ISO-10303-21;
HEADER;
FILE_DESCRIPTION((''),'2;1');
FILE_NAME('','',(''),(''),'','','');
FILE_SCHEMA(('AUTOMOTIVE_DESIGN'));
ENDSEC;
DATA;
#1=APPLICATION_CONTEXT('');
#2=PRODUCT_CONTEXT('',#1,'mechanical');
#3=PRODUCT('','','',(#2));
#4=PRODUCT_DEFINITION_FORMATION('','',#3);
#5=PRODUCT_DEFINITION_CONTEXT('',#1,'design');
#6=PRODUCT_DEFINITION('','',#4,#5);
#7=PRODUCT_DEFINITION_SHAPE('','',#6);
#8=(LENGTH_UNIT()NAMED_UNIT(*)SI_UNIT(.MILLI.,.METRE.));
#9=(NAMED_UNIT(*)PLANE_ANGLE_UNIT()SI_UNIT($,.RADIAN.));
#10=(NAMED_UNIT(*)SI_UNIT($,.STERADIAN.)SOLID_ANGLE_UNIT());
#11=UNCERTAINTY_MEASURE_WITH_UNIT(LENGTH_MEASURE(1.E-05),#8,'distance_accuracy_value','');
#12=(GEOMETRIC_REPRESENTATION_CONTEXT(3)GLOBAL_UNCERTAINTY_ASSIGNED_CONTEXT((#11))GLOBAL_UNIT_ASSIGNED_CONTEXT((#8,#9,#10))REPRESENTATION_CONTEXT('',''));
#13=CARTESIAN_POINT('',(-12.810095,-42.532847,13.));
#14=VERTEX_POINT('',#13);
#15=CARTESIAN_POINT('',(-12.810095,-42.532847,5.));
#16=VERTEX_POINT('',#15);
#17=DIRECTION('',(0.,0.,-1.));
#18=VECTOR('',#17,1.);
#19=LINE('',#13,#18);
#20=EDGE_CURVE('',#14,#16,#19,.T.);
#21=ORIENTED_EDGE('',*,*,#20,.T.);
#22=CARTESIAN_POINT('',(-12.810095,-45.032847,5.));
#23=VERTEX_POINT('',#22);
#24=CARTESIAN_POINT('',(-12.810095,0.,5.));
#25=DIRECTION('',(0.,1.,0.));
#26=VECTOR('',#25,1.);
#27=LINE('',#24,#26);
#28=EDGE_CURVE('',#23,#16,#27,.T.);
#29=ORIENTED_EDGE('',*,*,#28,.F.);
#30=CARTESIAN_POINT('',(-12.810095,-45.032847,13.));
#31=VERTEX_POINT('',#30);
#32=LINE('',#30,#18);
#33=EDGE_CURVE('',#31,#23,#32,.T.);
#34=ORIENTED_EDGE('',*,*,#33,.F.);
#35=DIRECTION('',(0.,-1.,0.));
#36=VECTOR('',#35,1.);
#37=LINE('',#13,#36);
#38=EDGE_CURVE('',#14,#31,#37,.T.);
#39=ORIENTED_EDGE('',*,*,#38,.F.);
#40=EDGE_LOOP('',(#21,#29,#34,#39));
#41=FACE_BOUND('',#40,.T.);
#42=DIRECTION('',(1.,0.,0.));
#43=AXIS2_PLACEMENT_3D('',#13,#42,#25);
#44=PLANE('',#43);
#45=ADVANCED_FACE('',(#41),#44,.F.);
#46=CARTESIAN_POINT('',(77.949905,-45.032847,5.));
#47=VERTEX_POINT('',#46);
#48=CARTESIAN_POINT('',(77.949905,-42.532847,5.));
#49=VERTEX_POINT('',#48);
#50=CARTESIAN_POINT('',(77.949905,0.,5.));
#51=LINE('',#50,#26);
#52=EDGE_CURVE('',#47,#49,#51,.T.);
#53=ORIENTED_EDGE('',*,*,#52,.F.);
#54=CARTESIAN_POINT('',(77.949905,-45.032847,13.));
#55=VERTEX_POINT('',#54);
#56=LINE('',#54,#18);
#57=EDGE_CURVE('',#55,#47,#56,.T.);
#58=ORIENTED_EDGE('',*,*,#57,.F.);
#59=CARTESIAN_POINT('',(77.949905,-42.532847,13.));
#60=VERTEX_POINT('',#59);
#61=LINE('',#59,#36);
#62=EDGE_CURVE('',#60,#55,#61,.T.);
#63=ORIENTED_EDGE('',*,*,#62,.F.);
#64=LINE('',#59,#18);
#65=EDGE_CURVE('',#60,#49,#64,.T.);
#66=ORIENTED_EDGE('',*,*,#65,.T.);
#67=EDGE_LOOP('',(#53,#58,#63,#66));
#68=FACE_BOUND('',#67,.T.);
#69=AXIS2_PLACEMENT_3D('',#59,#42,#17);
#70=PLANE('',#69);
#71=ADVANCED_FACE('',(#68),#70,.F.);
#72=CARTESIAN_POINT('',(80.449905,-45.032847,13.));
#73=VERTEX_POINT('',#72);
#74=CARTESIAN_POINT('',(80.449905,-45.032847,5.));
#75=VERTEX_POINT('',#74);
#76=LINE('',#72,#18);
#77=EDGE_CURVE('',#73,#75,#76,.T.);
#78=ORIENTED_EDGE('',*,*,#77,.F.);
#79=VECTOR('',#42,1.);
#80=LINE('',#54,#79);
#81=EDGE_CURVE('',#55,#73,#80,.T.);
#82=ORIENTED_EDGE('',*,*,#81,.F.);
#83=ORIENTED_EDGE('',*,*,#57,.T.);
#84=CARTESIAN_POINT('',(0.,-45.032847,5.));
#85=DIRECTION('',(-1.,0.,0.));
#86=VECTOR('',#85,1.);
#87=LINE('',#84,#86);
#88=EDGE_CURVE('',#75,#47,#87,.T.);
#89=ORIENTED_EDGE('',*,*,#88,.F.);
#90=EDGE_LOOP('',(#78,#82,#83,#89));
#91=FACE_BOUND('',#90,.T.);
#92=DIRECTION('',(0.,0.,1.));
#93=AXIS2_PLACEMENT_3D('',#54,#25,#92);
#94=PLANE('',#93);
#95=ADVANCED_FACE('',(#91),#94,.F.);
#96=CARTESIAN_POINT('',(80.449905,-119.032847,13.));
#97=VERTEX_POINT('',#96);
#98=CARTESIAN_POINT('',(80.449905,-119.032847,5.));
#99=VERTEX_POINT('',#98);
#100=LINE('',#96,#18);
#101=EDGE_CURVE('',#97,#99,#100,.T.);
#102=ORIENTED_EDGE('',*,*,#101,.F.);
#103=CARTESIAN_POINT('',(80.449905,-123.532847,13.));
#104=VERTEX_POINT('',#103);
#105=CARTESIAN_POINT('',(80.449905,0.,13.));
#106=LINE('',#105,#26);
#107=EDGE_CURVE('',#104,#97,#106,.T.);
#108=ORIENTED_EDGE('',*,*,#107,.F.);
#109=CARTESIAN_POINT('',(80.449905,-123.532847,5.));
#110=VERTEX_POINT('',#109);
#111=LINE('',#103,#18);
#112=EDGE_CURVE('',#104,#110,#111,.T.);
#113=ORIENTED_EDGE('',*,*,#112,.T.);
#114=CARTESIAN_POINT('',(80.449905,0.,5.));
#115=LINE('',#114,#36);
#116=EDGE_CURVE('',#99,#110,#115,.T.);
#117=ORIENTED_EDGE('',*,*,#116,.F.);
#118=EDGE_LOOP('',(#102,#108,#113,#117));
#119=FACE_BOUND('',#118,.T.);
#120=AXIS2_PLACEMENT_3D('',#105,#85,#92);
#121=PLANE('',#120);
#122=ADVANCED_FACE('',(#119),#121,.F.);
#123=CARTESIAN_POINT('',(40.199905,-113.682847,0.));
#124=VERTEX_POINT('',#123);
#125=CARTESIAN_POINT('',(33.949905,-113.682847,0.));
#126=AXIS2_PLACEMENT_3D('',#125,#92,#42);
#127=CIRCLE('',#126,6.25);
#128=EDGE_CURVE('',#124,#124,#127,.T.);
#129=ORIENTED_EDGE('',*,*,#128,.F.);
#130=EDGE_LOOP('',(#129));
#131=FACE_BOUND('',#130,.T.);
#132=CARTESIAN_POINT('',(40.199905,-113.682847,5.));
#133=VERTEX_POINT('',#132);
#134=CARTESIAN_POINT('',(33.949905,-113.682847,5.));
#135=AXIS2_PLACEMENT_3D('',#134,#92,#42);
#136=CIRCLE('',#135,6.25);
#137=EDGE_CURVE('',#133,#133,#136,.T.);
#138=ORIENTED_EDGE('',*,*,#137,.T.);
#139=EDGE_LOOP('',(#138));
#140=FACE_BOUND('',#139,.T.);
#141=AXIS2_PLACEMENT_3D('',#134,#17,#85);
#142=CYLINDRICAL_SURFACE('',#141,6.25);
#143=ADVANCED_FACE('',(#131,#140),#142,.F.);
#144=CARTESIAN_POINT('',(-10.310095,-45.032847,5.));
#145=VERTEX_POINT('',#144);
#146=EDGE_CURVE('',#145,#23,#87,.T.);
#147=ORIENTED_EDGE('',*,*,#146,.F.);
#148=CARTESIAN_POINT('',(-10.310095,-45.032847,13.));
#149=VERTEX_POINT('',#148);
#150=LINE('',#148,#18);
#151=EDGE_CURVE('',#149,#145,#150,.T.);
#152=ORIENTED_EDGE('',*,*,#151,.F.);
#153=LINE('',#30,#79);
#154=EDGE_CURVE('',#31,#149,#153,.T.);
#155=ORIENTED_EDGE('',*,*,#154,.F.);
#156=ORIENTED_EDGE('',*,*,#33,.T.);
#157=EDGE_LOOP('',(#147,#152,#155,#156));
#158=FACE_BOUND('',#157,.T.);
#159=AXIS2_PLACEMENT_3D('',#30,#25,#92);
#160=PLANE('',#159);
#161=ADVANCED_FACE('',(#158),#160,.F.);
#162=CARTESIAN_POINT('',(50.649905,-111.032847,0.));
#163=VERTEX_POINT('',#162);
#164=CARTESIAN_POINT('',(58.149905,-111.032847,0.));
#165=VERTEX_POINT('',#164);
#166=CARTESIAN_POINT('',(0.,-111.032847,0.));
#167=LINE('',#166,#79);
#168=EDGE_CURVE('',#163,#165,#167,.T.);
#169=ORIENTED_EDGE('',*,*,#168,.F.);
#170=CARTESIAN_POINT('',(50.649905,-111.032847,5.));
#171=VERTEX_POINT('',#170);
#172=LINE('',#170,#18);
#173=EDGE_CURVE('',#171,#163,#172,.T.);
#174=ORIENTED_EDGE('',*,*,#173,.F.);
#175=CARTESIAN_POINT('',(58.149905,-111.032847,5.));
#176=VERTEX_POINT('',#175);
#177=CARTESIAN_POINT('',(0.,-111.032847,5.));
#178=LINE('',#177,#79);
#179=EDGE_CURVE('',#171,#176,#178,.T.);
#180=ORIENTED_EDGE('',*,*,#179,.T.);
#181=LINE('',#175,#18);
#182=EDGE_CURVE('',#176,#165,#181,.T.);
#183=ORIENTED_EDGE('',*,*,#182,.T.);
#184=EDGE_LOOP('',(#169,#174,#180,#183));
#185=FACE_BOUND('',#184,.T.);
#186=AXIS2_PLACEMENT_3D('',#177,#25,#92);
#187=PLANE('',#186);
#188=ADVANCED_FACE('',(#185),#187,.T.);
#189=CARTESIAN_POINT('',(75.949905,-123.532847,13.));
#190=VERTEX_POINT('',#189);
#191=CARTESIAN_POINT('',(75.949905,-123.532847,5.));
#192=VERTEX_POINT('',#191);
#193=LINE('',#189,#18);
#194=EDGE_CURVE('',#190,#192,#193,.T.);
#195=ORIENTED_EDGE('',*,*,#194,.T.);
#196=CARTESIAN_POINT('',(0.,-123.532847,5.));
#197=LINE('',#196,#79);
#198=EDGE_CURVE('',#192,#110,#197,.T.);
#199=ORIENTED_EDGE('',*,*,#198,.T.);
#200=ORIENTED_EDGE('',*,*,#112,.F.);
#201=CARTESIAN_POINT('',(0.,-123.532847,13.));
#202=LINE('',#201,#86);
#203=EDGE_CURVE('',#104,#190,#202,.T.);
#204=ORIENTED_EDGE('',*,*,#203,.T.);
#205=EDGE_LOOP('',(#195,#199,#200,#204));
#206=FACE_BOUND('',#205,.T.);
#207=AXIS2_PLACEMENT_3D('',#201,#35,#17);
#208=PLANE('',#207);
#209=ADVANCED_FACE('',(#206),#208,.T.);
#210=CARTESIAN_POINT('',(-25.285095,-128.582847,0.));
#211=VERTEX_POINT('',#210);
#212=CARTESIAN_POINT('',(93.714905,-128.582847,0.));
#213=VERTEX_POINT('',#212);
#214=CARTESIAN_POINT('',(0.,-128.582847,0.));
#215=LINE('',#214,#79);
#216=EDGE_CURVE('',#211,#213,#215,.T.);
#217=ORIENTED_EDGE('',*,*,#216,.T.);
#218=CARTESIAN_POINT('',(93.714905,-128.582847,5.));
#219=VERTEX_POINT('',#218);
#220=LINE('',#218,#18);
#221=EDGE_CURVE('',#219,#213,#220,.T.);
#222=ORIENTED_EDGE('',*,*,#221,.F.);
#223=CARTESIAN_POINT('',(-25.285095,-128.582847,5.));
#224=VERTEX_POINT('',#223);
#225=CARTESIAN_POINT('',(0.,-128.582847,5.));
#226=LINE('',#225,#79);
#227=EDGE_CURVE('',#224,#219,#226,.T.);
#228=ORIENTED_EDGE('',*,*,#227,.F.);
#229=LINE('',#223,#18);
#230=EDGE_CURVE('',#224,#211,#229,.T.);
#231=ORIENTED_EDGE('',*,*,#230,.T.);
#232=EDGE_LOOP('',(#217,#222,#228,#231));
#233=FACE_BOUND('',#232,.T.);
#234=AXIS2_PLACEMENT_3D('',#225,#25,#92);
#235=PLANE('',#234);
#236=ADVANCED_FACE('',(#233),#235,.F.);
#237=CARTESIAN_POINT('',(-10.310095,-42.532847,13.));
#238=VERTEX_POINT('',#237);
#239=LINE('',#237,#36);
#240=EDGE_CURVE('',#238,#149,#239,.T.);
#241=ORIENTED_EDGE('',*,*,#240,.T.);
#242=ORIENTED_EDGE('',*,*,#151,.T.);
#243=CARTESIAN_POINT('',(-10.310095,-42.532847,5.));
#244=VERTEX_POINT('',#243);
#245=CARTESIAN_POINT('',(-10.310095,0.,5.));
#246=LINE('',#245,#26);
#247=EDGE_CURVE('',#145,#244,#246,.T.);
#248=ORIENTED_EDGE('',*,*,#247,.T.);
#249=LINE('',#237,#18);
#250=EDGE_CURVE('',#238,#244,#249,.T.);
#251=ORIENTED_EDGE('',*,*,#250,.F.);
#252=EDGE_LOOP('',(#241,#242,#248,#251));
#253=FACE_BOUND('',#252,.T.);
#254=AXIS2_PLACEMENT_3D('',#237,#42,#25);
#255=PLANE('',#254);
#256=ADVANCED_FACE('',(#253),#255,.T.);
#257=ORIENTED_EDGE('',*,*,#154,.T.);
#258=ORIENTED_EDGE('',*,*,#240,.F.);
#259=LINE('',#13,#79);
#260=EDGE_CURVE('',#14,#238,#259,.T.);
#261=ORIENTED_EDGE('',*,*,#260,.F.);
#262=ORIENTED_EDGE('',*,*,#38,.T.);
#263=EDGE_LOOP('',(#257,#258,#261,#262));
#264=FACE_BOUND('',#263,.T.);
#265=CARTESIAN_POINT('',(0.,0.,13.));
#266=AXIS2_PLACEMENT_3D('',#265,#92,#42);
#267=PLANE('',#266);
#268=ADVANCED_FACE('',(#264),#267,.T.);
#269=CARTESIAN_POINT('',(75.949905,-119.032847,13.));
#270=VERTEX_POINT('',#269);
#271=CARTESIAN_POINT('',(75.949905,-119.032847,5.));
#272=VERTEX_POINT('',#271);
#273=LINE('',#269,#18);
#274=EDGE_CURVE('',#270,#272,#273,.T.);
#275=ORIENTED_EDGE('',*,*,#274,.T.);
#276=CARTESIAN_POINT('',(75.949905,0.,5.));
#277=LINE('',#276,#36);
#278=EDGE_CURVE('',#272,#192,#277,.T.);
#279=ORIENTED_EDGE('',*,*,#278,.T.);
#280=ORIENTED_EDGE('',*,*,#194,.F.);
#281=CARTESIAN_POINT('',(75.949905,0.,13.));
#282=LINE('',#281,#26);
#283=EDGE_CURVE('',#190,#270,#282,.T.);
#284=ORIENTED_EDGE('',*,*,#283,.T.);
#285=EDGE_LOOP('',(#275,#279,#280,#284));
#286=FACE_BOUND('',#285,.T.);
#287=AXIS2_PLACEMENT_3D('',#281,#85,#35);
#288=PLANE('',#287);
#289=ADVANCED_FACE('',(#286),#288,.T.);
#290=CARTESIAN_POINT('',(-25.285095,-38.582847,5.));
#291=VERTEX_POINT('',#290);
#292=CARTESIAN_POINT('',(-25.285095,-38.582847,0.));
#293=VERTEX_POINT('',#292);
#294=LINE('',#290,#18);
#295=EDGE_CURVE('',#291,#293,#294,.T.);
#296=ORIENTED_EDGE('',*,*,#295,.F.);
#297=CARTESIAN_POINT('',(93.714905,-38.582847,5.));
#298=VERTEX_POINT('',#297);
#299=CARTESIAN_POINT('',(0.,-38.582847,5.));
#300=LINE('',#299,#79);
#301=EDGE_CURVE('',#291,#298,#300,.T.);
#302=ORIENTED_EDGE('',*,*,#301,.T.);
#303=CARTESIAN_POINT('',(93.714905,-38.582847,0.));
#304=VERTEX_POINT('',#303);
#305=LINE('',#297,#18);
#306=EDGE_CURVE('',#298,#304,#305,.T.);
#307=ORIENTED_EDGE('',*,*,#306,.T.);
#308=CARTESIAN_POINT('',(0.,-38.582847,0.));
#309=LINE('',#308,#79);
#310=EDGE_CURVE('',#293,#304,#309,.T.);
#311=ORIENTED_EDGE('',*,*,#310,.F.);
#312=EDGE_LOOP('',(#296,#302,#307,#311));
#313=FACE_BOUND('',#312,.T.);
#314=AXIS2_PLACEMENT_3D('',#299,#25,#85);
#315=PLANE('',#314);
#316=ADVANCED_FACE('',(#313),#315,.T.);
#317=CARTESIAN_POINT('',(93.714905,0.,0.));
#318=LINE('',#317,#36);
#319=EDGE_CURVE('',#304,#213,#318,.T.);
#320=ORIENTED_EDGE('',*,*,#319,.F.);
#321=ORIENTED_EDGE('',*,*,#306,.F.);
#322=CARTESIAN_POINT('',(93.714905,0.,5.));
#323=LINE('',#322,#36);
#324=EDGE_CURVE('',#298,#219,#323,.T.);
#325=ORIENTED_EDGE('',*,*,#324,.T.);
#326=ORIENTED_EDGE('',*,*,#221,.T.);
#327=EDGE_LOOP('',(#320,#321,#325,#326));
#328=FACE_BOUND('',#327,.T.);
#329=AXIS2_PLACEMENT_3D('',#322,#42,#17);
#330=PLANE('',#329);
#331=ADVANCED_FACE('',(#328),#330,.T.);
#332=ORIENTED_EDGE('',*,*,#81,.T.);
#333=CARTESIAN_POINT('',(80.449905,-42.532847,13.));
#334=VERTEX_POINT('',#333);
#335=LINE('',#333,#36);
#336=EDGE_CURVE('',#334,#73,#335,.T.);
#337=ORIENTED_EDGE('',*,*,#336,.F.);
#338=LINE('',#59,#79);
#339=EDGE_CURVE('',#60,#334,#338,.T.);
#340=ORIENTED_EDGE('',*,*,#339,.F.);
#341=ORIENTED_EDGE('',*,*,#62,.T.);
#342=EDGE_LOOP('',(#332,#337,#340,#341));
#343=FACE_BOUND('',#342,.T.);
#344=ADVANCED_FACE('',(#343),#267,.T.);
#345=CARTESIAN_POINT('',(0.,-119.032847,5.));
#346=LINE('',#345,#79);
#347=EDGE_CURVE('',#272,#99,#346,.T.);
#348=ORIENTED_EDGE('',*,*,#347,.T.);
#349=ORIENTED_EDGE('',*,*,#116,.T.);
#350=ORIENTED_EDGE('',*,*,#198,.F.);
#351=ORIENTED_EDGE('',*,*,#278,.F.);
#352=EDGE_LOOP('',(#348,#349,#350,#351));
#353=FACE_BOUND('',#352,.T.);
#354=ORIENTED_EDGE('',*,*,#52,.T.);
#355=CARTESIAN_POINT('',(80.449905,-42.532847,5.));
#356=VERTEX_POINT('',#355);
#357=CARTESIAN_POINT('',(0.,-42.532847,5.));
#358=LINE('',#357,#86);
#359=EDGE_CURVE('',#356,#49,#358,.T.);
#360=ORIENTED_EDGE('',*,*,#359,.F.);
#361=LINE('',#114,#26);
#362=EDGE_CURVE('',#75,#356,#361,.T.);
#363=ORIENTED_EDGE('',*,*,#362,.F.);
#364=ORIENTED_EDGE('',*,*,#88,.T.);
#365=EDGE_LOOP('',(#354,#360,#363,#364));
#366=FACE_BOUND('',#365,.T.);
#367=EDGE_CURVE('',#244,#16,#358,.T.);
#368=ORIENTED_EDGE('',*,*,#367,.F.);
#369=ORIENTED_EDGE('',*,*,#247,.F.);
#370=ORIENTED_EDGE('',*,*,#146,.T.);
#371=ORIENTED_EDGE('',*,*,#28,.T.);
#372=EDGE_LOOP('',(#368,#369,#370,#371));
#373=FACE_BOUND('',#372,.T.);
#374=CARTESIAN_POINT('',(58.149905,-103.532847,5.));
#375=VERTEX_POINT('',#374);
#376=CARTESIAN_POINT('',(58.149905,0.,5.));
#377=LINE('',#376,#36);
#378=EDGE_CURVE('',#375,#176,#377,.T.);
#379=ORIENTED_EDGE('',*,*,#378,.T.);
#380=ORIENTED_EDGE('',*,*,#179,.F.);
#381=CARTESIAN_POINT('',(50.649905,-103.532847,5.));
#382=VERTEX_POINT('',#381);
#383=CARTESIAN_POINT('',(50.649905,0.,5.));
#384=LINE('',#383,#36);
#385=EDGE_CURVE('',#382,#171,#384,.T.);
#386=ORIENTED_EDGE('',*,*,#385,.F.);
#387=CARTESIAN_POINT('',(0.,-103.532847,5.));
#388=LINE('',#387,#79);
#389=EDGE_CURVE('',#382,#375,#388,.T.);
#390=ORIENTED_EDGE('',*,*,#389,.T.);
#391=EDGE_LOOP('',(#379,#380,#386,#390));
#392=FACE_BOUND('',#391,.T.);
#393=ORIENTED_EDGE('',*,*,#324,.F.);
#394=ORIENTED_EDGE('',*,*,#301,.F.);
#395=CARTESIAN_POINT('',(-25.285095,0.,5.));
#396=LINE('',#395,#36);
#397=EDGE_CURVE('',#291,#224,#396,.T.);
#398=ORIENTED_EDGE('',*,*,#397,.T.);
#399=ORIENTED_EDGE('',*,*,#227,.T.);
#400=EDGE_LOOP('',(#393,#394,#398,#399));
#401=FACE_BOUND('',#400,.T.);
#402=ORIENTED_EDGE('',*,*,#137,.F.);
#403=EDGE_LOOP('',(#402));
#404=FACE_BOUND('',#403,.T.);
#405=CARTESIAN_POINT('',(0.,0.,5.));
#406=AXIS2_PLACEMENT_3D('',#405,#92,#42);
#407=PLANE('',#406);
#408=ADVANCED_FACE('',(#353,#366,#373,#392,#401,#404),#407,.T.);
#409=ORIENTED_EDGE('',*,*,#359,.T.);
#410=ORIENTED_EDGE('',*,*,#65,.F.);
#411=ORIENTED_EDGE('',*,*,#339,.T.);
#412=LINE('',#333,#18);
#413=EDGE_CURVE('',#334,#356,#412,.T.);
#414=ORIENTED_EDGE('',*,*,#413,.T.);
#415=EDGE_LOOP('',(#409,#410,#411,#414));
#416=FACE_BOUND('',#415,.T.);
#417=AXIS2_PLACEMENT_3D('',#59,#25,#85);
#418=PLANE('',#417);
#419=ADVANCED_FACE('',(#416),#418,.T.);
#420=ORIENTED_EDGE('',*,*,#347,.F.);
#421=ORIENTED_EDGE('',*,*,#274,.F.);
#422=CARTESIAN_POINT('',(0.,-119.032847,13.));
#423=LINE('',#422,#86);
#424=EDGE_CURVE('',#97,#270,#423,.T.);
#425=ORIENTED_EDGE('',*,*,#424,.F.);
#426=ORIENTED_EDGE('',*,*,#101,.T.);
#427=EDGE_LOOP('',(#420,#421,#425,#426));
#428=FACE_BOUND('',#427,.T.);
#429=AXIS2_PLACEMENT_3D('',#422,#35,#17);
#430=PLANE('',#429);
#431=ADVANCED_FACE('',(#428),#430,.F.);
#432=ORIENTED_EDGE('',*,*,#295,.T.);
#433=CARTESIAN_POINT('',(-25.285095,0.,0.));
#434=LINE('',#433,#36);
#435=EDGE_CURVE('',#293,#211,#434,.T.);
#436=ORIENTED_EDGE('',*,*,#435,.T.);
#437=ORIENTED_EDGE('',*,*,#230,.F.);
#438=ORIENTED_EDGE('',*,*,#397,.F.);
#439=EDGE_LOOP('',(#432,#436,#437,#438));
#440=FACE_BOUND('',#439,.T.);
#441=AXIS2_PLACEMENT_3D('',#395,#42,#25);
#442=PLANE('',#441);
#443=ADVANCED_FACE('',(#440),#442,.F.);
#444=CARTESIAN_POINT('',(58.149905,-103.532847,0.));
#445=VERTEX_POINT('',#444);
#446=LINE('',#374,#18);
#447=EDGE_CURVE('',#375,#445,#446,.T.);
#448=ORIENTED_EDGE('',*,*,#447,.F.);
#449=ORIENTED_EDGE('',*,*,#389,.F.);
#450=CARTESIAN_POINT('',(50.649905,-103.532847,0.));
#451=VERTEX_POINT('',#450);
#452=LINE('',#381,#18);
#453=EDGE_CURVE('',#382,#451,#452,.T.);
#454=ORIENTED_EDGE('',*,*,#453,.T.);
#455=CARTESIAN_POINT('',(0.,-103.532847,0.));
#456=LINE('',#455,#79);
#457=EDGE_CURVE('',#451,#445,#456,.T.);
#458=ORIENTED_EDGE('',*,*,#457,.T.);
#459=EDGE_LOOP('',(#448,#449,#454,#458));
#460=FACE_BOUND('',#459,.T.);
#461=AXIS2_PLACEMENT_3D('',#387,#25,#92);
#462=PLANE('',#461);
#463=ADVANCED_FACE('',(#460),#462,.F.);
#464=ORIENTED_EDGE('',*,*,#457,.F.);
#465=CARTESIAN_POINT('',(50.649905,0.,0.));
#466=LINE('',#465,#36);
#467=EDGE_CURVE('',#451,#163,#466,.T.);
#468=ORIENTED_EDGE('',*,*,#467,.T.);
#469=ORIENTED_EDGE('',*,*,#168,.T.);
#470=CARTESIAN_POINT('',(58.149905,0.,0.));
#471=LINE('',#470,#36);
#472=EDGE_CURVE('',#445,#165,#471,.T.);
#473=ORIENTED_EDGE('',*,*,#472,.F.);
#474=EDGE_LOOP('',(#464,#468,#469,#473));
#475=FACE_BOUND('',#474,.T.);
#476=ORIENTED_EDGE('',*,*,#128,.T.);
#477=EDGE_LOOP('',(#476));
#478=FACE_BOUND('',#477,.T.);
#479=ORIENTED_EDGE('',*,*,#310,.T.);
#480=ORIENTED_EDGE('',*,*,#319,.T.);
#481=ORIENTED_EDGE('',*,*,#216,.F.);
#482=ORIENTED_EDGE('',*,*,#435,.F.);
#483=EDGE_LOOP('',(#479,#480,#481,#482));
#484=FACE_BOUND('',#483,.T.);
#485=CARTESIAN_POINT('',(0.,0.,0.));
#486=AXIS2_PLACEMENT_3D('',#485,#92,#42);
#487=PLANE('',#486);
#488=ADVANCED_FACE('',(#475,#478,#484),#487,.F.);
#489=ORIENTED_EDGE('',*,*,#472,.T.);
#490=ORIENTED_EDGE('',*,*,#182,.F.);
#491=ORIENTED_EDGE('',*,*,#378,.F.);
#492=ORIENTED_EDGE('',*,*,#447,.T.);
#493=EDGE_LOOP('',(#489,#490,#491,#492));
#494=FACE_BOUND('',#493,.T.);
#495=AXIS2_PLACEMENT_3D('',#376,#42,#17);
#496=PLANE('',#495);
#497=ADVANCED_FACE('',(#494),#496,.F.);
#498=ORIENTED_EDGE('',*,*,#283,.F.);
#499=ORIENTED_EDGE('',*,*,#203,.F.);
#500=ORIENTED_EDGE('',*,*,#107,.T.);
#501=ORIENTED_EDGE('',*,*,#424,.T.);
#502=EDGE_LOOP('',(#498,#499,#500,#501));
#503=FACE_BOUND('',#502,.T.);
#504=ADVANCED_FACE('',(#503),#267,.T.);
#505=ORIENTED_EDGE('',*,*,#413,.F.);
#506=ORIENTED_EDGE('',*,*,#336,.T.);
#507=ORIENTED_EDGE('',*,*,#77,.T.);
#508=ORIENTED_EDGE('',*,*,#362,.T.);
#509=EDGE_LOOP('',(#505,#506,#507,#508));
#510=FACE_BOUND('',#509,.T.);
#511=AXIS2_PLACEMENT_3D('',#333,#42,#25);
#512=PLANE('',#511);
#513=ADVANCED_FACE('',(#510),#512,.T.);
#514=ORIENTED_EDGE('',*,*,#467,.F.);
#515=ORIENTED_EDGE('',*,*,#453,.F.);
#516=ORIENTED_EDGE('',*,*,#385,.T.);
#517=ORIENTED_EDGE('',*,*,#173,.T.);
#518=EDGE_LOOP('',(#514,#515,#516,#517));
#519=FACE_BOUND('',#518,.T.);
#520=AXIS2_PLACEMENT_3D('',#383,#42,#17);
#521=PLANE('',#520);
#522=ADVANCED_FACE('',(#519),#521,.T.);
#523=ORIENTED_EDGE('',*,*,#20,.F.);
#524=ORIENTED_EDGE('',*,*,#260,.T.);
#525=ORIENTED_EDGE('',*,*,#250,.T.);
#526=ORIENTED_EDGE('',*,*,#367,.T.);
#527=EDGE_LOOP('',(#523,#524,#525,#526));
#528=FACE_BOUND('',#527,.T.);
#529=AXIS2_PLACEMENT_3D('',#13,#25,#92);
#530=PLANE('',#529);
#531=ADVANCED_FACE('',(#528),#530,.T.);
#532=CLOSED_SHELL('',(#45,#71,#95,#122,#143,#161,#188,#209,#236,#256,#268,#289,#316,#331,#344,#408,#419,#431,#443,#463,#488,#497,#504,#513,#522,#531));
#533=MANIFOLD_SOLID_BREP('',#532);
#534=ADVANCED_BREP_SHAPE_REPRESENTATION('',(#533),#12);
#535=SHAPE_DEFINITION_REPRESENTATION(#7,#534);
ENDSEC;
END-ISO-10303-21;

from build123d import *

# Parameters (mm, degrees)
SKETCH1_W           = 119
SKETCH1_H           = 90
SKETCH1_R           = 6.25
SKETCH1_W_2         = 7.5
SKETCH1_H_2         = 7.5
BOSS_EXTRUDE1_DEPTH = 5
SKETCH1_3_W         = 2.5
SKETCH1_3_H         = 2.5
SKETCH1_3_W_2       = 4.5
SKETCH1_3_H_2       = 4.5
BOSS_EXTRUDE2_DEPTH = 13


with BuildPart() as part:
    # Sketch1 → Boss-Extrude1 (new body)
    with BuildSketch(Plane.XY):
        with Locations((34.214905029, -83.582846692)):
            Rectangle(SKETCH1_W, SKETCH1_H)
        with Locations((33.949905029, -113.682846692)):
            Circle(SKETCH1_R, mode=Mode.SUBTRACT)
        with Locations((54.399905029, -107.282846692)):
            Rectangle(SKETCH1_W_2, SKETCH1_H_2, mode=Mode.SUBTRACT)
    extrude(amount=BOSS_EXTRUDE1_DEPTH)

    # Sketch1<3> → Boss-Extrude2 (add)
    with BuildSketch(Plane.XY):
        with Locations((-11.560094971, -43.782846692)):
            Rectangle(SKETCH1_3_W, SKETCH1_3_H)
        with Locations((79.199905029, -43.782846692)):
            Rectangle(SKETCH1_3_W, SKETCH1_3_H)
        with Locations((78.199905029, -121.282846692)):
            Rectangle(SKETCH1_3_W_2, SKETCH1_3_H_2)
    extrude(amount=BOSS_EXTRUDE2_DEPTH)


solid = part.part
